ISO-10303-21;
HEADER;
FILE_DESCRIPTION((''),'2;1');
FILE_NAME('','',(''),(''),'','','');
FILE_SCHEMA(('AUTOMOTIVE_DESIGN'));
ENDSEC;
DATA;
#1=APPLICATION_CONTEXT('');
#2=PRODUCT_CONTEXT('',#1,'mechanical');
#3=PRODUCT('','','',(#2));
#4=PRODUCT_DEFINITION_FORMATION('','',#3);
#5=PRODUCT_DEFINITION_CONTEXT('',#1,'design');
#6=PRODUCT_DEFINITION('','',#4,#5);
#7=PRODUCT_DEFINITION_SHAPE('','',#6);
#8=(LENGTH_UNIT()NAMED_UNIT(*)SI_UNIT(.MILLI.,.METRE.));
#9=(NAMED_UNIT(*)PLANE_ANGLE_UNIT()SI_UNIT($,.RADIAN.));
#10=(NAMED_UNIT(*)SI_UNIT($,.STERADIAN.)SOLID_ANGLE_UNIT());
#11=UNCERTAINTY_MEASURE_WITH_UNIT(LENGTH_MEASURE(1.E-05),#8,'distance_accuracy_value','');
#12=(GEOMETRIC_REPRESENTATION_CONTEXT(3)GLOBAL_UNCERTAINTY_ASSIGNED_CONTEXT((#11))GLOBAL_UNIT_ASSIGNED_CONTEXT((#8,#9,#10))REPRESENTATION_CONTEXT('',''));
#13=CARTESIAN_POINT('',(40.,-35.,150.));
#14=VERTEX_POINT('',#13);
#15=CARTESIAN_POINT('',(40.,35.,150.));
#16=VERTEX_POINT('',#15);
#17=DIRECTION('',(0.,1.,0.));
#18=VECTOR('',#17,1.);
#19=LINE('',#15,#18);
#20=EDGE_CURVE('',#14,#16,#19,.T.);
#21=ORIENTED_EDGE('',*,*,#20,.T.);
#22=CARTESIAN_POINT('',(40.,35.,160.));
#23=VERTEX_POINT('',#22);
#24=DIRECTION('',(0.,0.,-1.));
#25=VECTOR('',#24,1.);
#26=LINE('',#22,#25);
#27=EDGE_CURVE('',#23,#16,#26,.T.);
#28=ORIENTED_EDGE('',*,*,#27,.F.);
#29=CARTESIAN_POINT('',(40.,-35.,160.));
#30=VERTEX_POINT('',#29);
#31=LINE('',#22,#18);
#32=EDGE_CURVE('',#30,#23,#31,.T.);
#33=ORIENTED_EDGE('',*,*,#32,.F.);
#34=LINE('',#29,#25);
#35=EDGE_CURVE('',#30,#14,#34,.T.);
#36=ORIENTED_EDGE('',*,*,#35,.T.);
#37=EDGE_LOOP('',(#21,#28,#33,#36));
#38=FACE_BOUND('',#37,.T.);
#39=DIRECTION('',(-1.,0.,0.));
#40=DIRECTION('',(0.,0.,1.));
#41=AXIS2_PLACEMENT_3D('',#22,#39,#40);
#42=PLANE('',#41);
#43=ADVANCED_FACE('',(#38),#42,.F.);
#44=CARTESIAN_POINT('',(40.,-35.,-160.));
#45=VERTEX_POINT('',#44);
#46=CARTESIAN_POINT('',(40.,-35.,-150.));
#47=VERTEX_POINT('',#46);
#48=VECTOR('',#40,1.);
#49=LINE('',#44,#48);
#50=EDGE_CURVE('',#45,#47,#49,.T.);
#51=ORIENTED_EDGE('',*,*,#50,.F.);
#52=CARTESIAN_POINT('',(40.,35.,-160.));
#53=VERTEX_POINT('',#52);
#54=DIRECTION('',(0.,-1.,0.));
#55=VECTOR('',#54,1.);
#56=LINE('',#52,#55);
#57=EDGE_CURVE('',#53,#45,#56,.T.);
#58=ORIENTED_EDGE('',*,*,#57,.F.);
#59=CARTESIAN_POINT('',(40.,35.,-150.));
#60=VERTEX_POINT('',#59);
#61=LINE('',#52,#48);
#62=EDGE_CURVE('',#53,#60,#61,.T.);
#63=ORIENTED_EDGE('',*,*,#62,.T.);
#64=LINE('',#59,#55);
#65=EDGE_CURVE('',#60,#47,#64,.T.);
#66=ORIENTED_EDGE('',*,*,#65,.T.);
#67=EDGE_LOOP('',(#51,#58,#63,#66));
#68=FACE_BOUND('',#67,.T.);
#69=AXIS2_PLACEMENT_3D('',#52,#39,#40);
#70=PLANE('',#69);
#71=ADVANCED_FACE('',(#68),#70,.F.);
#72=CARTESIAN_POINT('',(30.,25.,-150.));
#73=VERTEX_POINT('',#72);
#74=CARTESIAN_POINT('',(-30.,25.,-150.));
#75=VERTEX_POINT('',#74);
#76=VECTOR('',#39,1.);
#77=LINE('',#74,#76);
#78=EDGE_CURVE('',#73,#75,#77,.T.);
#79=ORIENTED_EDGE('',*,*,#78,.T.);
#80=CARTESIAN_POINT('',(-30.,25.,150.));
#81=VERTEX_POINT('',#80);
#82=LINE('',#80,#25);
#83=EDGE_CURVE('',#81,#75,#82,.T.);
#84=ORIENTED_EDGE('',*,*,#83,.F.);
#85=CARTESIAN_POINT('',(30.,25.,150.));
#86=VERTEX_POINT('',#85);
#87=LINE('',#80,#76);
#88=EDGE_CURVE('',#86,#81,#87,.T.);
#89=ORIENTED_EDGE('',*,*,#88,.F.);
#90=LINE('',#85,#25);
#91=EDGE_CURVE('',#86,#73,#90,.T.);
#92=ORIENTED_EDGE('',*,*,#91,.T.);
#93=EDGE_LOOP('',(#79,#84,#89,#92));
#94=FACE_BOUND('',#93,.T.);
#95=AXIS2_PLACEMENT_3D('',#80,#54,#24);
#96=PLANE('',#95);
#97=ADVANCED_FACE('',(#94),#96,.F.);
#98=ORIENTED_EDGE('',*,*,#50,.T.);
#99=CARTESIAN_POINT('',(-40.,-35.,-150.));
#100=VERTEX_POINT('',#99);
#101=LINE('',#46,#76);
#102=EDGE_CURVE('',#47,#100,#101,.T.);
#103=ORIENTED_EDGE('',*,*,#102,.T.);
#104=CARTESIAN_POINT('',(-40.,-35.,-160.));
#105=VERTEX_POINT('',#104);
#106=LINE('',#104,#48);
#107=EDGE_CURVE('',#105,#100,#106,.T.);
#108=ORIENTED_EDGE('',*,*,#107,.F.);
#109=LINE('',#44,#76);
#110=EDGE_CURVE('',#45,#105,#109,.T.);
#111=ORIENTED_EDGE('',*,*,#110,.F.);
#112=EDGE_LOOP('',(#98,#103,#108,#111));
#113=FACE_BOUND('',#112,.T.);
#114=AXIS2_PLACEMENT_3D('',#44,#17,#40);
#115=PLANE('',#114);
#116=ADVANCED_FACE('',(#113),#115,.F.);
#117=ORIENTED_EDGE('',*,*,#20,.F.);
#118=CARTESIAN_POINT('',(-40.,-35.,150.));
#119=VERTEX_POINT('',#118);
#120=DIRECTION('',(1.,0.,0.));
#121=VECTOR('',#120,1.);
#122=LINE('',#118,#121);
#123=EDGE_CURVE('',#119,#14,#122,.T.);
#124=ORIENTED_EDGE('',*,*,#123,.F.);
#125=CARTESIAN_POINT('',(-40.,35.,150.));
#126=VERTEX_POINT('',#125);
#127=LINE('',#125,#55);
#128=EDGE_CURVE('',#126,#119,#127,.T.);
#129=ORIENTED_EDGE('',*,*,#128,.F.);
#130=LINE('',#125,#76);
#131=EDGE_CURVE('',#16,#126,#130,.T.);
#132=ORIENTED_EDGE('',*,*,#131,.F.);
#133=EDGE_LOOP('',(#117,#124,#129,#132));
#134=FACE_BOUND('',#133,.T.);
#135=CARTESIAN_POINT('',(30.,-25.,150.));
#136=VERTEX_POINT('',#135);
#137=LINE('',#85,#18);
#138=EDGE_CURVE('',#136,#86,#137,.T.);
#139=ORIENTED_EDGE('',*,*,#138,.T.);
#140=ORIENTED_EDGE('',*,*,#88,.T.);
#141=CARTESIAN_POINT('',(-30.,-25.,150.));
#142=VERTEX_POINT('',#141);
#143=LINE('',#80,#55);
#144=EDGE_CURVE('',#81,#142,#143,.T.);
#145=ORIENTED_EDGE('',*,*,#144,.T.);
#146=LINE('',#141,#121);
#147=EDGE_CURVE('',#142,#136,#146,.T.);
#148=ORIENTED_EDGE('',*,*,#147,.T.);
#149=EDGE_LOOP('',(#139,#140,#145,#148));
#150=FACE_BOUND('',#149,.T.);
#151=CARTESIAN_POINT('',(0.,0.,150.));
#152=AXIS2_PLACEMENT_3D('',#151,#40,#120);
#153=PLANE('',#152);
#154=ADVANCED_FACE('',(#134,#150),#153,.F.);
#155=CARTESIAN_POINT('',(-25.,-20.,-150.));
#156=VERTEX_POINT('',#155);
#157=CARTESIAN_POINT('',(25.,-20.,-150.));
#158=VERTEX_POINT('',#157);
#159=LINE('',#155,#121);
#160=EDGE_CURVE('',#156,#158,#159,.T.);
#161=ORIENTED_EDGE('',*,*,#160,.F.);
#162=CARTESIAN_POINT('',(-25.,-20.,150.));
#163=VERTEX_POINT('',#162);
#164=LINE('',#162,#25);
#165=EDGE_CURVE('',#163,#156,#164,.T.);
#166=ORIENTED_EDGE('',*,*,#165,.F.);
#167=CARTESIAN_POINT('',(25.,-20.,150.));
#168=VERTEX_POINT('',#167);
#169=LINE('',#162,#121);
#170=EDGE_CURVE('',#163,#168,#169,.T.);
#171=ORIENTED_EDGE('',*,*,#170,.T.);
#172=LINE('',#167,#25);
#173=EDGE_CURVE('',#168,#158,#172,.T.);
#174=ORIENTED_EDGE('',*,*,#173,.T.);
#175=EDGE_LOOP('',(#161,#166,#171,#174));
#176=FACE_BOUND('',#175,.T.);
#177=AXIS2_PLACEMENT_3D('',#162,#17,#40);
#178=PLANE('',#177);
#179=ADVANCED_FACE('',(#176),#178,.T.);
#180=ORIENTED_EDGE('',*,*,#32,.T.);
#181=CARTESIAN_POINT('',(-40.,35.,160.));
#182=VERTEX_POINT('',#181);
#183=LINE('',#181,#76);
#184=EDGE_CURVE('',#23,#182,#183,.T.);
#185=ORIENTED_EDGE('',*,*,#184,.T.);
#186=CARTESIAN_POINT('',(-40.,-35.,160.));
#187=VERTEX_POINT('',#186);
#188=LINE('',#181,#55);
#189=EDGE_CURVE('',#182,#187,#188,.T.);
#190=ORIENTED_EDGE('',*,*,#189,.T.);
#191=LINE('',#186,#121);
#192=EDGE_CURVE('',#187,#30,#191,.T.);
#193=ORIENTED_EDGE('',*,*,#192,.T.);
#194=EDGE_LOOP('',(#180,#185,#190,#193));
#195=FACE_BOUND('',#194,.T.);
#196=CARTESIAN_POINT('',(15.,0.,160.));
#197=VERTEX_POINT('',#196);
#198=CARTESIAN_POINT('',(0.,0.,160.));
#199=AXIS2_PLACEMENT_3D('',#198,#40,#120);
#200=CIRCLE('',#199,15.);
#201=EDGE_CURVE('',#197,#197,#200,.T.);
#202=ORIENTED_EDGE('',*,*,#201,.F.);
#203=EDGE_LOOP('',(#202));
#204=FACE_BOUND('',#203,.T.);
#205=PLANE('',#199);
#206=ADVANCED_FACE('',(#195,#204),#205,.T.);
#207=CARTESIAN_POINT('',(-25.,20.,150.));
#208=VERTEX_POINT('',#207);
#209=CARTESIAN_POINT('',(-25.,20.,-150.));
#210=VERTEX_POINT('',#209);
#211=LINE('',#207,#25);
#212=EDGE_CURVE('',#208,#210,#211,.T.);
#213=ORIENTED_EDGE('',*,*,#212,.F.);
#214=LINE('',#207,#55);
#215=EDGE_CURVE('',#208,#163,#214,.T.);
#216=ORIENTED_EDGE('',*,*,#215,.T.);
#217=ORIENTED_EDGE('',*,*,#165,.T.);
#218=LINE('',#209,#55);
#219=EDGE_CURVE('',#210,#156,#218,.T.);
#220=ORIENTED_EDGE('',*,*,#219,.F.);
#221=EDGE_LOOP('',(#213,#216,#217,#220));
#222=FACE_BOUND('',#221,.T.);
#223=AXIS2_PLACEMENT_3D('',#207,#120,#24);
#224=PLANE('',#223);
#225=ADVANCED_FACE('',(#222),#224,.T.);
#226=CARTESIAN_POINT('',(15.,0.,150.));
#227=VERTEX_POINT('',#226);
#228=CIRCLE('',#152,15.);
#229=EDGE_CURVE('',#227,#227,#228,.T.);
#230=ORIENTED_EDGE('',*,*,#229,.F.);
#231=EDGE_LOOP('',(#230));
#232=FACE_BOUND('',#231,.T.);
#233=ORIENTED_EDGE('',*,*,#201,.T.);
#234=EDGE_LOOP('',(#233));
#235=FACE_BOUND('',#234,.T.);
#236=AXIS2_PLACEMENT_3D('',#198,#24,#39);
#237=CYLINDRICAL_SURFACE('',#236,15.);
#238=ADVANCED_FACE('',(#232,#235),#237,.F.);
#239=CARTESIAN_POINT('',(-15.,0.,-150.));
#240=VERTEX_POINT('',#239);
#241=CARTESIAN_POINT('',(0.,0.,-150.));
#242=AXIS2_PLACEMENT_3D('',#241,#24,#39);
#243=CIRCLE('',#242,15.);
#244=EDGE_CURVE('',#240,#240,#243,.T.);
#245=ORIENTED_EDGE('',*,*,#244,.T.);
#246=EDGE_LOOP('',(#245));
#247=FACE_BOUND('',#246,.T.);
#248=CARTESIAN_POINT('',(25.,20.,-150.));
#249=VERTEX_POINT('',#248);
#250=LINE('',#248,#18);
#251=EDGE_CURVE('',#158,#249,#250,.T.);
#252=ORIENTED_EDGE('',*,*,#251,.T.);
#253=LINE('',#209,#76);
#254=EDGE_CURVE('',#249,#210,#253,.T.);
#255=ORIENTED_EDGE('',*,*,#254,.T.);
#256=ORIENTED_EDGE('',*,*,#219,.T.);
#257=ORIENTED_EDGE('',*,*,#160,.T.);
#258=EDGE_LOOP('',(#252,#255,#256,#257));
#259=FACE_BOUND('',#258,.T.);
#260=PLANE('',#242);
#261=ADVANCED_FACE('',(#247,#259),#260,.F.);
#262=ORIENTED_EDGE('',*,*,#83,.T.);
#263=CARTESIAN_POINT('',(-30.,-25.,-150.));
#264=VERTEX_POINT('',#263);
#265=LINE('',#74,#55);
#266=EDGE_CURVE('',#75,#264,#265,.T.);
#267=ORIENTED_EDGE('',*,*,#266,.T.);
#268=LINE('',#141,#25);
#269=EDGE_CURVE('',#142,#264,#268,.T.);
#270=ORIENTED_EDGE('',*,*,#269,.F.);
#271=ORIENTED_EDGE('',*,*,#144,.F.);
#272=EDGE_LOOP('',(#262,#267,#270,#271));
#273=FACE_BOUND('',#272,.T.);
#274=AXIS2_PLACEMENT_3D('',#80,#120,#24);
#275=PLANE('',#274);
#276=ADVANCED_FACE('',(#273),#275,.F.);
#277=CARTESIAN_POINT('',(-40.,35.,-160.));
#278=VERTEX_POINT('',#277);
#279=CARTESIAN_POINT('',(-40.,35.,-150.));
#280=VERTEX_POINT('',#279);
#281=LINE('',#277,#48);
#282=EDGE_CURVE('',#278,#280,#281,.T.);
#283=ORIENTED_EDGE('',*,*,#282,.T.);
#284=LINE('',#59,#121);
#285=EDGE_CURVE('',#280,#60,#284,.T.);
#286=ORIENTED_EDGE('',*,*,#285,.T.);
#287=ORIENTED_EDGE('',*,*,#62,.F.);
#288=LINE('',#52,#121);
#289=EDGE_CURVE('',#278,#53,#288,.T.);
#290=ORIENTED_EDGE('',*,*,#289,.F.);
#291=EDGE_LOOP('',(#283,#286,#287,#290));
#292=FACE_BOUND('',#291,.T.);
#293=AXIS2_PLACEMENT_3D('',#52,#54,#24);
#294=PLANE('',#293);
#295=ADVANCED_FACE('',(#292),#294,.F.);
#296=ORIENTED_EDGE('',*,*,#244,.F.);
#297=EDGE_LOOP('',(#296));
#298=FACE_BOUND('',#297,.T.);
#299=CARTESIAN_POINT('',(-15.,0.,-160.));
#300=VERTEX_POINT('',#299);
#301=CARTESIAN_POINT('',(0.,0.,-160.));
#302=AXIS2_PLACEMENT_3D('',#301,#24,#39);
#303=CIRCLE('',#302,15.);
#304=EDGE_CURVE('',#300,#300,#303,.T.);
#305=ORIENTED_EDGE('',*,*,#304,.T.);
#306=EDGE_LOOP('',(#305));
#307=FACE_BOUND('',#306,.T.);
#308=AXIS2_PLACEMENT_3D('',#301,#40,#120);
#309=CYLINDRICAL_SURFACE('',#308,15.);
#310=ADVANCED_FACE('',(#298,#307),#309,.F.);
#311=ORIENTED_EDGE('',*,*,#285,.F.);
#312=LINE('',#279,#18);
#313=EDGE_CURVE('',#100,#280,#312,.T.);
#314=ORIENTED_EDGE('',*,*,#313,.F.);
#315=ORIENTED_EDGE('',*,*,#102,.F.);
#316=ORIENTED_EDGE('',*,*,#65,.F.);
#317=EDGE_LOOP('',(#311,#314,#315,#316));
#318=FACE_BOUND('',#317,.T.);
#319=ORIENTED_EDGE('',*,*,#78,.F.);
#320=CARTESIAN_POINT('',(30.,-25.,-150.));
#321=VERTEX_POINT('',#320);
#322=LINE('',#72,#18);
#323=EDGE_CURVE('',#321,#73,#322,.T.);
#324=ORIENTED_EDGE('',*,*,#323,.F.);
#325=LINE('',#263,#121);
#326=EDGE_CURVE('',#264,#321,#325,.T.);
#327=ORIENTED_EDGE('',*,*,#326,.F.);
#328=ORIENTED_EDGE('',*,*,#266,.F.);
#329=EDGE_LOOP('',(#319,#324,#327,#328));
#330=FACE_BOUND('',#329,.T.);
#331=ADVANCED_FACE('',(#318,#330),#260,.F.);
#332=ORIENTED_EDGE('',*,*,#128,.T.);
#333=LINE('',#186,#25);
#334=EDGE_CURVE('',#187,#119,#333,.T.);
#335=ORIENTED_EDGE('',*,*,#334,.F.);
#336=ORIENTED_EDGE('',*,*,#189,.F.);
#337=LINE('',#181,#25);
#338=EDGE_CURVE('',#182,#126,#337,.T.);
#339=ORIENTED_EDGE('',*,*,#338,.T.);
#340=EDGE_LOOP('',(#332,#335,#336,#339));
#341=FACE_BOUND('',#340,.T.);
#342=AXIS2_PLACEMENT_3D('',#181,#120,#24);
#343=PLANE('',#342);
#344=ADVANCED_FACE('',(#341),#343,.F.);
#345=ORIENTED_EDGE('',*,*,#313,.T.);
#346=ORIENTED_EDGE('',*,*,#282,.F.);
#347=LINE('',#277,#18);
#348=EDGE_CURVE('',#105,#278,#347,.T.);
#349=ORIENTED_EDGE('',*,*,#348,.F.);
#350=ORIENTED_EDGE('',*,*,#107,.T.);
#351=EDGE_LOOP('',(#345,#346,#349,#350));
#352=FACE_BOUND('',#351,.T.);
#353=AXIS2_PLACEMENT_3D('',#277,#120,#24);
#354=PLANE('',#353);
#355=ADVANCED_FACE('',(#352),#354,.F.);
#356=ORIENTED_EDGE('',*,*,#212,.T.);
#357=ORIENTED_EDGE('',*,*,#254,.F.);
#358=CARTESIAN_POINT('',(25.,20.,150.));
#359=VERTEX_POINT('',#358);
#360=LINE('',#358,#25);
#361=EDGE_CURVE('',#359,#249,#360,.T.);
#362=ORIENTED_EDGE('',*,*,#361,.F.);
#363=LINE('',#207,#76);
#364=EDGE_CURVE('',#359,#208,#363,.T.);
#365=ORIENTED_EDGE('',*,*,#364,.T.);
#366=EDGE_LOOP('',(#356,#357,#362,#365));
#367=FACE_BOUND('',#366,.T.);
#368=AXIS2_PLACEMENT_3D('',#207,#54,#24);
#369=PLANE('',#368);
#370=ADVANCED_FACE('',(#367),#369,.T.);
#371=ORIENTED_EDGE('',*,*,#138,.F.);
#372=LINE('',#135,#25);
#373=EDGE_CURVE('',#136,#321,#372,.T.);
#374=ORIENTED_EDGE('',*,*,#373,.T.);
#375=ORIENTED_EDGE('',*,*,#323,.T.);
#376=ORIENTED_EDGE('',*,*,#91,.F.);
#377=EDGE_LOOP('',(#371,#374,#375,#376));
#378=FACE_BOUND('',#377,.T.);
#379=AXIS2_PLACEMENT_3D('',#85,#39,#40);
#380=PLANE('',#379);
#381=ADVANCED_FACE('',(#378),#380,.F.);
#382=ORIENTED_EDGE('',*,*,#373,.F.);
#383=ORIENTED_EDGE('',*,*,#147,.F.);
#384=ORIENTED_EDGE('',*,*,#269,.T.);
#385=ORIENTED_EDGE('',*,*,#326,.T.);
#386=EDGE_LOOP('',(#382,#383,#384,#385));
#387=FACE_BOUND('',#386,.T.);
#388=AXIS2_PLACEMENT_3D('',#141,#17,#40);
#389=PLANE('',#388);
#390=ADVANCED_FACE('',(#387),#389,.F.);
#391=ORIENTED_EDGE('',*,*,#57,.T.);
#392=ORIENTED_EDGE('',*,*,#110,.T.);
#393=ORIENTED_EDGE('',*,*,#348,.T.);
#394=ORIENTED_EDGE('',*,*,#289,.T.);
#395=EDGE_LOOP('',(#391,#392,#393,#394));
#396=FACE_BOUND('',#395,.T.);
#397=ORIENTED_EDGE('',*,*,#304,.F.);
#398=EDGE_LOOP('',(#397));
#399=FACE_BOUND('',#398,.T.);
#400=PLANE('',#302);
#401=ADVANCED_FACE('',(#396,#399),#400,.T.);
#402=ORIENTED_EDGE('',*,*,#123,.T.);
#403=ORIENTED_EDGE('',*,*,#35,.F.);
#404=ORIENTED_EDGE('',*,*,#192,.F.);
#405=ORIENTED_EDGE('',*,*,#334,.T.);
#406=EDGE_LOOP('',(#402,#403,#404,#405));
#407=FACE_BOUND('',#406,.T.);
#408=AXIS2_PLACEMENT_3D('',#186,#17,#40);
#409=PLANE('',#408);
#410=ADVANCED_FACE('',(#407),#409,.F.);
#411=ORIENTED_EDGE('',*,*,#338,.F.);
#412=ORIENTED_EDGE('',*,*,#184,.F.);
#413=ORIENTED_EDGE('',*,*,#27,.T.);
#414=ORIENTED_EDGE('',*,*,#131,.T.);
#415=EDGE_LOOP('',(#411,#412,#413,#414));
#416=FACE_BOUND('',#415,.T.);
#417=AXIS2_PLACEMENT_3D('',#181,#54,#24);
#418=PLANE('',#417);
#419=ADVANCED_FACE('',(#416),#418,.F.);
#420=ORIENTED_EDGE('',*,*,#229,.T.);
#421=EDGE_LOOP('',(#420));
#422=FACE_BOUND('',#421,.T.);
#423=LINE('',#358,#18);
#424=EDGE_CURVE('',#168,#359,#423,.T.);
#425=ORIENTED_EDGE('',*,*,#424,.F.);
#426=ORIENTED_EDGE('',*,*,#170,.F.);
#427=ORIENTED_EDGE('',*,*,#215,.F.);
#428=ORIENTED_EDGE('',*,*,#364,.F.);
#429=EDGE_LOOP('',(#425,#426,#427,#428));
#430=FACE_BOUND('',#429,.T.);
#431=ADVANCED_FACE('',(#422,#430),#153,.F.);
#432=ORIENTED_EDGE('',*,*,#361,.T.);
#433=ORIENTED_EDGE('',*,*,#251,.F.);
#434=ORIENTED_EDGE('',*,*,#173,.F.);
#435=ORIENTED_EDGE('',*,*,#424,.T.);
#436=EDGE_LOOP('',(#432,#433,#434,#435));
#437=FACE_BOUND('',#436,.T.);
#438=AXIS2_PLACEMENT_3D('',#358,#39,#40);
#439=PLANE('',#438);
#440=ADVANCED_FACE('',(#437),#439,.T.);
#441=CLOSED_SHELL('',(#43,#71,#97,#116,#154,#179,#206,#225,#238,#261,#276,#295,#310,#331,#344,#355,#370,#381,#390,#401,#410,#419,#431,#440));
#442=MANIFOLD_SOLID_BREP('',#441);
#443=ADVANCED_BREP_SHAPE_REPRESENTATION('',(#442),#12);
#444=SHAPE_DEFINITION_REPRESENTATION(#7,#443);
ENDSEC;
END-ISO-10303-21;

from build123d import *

# Parameters (mm, degrees)
SKETCH_8_W      = 60
SKETCH_8_H      = 50
SKETCH_8_W_2    = 50
SKETCH_8_H_2    = 40
EXTRUDE_1_DEPTH = 150
SKETCH_9_W      = 80
SKETCH_9_H      = 70
SKETCH_9_R      = 15
EXTRUDE_2_DEPTH = 10
EXTRUDE_START   = 10
SKETCH_10_W     = 80
SKETCH_10_H     = 70
SKETCH_10_R     = 15
EXTRUDE_3_DEPTH = 10


with BuildPart() as part:
    # 草图8 → 凸台-拉伸1 (new, symmetric)
    with BuildSketch(Plane.XY):
        Rectangle(SKETCH_8_W, SKETCH_8_H)
        Rectangle(SKETCH_8_W_2, SKETCH_8_H_2, mode=Mode.SUBTRACT)
    extrude(amount=EXTRUDE_1_DEPTH, both=True)

    # 草图9 → 凸台-拉伸2 (add)
    with BuildSketch(Plane.XY.offset(150)):
        Rectangle(SKETCH_9_W, SKETCH_9_H)
        Circle(SKETCH_9_R, mode=Mode.SUBTRACT)
    extrude(amount=EXTRUDE_2_DEPTH)

    # 草图10 → 凸台-拉伸3 (add)
    with BuildSketch(Plane(origin=(0, 0, -150), x_dir=(-1, 0, 0), z_dir=(0, 0, -1)).offset(EXTRUDE_START)):
        Rectangle(SKETCH_10_W, SKETCH_10_H)
        with Locations(Location((0, 0, 0), (0, 0, 180))):
            Circle(SKETCH_10_R, mode=Mode.SUBTRACT)
    extrude(amount=-EXTRUDE_3_DEPTH)


solid = part.part
